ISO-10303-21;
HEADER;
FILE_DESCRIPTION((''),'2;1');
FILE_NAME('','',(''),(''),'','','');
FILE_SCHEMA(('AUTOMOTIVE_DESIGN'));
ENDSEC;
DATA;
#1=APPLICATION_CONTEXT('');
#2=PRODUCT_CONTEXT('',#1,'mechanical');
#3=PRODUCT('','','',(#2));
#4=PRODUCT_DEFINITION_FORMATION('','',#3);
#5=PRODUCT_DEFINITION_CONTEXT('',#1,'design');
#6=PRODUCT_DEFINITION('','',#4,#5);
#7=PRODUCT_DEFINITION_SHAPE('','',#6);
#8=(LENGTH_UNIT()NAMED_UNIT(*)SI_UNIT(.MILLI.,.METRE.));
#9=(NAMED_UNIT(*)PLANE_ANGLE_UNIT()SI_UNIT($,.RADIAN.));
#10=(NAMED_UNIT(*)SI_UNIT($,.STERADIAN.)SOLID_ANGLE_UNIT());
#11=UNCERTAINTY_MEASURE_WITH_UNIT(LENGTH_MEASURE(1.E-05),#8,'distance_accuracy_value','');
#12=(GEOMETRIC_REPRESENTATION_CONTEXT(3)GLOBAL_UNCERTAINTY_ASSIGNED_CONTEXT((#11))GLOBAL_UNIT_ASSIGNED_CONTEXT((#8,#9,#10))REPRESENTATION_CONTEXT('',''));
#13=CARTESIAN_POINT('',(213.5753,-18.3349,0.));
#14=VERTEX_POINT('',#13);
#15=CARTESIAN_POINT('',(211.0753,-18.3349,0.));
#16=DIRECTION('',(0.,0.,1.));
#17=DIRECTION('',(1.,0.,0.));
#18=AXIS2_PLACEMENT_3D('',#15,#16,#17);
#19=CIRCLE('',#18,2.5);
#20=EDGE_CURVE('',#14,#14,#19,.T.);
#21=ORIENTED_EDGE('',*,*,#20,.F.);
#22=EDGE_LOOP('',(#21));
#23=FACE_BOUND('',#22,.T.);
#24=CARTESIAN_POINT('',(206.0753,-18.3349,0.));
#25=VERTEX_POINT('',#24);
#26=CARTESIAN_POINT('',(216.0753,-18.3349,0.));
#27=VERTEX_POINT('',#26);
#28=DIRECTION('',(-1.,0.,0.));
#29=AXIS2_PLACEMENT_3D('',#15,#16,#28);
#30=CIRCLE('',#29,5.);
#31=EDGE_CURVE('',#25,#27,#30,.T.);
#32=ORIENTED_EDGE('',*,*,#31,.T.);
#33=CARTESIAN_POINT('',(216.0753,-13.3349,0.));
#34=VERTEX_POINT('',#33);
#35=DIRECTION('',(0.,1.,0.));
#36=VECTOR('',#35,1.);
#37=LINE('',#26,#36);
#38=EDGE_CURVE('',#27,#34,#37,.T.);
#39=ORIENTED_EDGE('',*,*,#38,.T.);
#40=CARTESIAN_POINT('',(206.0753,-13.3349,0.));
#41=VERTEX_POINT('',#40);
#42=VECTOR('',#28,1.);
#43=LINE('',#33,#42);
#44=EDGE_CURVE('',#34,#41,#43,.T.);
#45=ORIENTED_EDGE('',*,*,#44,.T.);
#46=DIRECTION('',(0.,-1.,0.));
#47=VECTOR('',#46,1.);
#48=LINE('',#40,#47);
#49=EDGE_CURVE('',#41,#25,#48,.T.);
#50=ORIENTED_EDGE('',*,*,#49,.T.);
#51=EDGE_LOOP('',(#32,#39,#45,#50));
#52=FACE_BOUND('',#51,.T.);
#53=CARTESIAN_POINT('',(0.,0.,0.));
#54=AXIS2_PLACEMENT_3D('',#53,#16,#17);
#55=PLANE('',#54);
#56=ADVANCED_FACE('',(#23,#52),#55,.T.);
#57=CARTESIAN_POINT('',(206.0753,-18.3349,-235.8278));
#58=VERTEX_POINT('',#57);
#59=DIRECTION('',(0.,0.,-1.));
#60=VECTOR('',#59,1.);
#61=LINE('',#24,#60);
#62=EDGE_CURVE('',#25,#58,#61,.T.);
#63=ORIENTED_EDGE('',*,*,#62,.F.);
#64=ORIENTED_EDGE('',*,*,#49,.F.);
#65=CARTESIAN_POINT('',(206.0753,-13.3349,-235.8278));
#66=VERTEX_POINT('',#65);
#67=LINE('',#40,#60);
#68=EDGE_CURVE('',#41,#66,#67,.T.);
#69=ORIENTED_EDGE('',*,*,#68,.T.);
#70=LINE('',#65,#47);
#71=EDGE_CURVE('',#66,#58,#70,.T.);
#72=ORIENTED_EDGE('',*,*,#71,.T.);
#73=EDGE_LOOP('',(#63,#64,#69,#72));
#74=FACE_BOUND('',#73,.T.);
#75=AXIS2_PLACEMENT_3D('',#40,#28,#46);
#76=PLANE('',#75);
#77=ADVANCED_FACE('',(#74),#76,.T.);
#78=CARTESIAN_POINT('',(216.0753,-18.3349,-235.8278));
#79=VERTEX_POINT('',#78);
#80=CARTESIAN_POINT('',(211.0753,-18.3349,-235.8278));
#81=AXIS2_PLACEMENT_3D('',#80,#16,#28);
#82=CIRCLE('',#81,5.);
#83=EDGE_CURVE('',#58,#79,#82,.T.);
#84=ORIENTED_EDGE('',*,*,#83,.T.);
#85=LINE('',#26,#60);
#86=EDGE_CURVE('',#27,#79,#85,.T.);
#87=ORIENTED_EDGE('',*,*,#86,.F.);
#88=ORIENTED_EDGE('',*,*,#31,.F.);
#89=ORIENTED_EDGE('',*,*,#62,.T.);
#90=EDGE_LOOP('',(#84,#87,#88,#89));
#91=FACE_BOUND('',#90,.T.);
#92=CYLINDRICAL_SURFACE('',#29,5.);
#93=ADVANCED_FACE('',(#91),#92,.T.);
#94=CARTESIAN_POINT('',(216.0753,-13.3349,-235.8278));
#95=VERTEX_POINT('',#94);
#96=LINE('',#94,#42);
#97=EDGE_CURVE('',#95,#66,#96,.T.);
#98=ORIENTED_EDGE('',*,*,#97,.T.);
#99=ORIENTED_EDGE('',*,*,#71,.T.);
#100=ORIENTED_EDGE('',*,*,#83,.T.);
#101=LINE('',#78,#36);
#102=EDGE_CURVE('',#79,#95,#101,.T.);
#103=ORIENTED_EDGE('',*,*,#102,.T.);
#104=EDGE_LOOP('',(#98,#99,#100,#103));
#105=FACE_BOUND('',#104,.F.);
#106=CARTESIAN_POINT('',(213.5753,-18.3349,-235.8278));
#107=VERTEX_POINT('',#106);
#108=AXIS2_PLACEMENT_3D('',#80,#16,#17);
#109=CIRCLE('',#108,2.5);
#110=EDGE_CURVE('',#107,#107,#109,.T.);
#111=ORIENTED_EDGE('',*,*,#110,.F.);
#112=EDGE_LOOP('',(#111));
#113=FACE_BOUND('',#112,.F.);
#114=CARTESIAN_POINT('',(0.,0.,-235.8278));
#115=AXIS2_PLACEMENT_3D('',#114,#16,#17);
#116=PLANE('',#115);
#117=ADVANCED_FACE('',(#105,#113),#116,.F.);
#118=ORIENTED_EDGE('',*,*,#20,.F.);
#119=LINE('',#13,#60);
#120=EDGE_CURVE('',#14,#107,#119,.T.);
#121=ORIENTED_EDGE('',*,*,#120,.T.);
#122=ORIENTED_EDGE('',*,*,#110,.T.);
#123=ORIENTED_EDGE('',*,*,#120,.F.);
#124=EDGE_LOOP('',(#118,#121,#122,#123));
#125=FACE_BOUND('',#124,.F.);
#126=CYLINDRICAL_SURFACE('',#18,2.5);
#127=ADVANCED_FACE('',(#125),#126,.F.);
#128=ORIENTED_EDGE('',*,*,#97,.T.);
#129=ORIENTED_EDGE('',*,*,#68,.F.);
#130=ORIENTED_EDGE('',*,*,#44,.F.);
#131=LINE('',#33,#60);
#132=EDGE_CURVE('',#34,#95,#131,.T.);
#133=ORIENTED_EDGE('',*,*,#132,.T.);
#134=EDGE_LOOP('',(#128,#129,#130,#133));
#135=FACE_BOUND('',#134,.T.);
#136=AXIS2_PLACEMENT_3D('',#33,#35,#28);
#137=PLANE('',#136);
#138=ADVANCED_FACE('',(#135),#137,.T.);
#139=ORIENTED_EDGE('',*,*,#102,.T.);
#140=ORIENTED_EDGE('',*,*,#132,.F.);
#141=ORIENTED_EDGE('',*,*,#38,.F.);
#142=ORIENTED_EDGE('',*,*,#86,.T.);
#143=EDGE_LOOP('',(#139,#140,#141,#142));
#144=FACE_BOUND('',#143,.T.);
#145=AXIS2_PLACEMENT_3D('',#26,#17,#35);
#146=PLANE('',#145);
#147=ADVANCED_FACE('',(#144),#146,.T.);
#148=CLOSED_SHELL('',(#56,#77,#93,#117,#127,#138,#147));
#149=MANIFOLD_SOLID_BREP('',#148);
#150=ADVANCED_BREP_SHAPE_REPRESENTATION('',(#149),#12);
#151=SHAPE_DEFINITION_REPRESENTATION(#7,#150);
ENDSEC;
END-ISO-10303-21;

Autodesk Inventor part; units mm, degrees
ref_plane "YZ Plane" through (0, 0, 0) normal (1, 0, 0) x (0, 1, 0)
ref_plane "XZ Plane" through (0, 0, 0) normal (0, 1, 0) x (-1, 0, 0)
ref_plane "Work Plane1" through (0, 0, 0) normal (0, 0, 1) x (1, 0, 0)
sketch "Sketch1" plane through (0, 0, 0) normal (0, 0, 1) x (1, 0, 0)
  line L0 (28.2, -13.1349) -> (28.2, -18.3349) projected
  arc A0 (17.8, -18.3349) -> (28.2, -18.3349) centre (23, -18.3349) ccw projected
  line L1 (17.8, -18.3349) -> (17.8, -13.1349) projected
  line L2 (17.8, -13.1349) -> (28.2, -13.1349) projected
  line L3 (205.8753, -18.3349) -> (205.8753, -13.1349) projected
  line L4 (205.8753, -13.1349) -> (216.2753, -13.1349) projected
  line L5 (216.2753, -13.1349) -> (216.2753, -18.3349) projected
  arc A1 (205.8753, -18.3349) -> (216.2753, -18.3349) centre (211.0753, -18.3349) ccw projected
  line L6 (226.007, -27.5) -> (182.0614, -27.5) projected
  line L7 (226.007, 5) -> (226.007, -27.5) projected
  line L8 (14, 5) -> (226.007, 5) projected
  line L9 (14, -27.5) -> (14, 5) projected
  line L10 (52.5458, -27.5) -> (14, -27.5) projected
  line L11 (105.8221, -25.5) -> (103.8221, -27.5) projected
  line L12 (105.8221, -25.5) -> (105.8221, -8.9699) projected
  line L13 (105.8221, -8.9699) -> (111.2221, -8.9699) projected
  line L14 (111.2221, -8.9699) -> (111.2221, -25.5) projected
  line L15 (113.2221, -27.5) -> (111.2221, -25.5) projected
  line L16 (151.8, -27.5) -> (113.2221, -27.5) projected
  line L17 (153.8, -25.5) -> (151.8, -27.5) projected
  line L18 (153.8, -25.5) -> (153.8, -8.9699) projected
  line L19 (153.8, -8.9699) -> (159.2, -8.9699) projected
  line L20 (159.2, -8.9699) -> (159.2, -19.6294) projected
  line L21 (216.0753, -18.3349) -> (216.0753, -13.3349)
  line L22 (216.0753, -13.3349) -> (206.0753, -13.3349)
  line L23 (206.0753, -13.3349) -> (206.0753, -18.3349)
  arc A2 (206.0753, -18.3349) -> (216.0753, -18.3349) centre (211.0753, -18.3349) ccw
  circle A3 centre (211.0753, -18.3349) radius 2.5
  line L24 (182.0614, -27.0054) -> (182.0614, -27.5) projected
  line L25 (52.5458, -27.5) -> (52.5458, -27.003) projected
  line L26 (52.5458, -27.003) -> (55.9407, -27.003) projected
  arc A4 (55.9407, -27.003) -> (66.5602, -14.9102) centre (55.9407, -16.2937) ccw projected
  line L27 (66.5602, -14.9102) -> (70.1135, -14.9102) projected
  line L28 (70.1135, -14.9102) -> (75.8231, -20.6198) projected
  arc A5 (72.9244, -27.5) -> (75.8231, -20.6198) centre (55.9407, -16.2937) ccw projected
  line L29 (103.8221, -27.5) -> (72.9244, -27.5) projected
  line L30 (159.2, -19.6294) -> (164.284, -14.5322) projected
  line L31 (164.284, -14.5322) -> (168.2242, -14.5271) projected
  arc A6 (168.2242, -14.5271) -> (178.6664, -27.0054) centre (178.6664, -16.397) ccw projected
  line L32 (178.6664, -27.0054) -> (182.0614, -27.0054) projected
  circle A7 centre (55.9407, -16.2937) radius 1.5 projected
  circle A8 centre (178.6664, -16.397) radius 1.5 projected
  point P0 (0, 0)
  dimension "d0" = 0.2
  dimension "d1" = 5
ref_plane "Work Plane2" through (14, -27.5, -235.8278) normal (0, 0, -1) x (0, 1, 0)
extrude "Extrusion1" add sketch "Sketch1" against normal up to surface (235.8278 mm away) contours A2 L23 L22 L21
properties part number "BaseShaft_3DPrint"
